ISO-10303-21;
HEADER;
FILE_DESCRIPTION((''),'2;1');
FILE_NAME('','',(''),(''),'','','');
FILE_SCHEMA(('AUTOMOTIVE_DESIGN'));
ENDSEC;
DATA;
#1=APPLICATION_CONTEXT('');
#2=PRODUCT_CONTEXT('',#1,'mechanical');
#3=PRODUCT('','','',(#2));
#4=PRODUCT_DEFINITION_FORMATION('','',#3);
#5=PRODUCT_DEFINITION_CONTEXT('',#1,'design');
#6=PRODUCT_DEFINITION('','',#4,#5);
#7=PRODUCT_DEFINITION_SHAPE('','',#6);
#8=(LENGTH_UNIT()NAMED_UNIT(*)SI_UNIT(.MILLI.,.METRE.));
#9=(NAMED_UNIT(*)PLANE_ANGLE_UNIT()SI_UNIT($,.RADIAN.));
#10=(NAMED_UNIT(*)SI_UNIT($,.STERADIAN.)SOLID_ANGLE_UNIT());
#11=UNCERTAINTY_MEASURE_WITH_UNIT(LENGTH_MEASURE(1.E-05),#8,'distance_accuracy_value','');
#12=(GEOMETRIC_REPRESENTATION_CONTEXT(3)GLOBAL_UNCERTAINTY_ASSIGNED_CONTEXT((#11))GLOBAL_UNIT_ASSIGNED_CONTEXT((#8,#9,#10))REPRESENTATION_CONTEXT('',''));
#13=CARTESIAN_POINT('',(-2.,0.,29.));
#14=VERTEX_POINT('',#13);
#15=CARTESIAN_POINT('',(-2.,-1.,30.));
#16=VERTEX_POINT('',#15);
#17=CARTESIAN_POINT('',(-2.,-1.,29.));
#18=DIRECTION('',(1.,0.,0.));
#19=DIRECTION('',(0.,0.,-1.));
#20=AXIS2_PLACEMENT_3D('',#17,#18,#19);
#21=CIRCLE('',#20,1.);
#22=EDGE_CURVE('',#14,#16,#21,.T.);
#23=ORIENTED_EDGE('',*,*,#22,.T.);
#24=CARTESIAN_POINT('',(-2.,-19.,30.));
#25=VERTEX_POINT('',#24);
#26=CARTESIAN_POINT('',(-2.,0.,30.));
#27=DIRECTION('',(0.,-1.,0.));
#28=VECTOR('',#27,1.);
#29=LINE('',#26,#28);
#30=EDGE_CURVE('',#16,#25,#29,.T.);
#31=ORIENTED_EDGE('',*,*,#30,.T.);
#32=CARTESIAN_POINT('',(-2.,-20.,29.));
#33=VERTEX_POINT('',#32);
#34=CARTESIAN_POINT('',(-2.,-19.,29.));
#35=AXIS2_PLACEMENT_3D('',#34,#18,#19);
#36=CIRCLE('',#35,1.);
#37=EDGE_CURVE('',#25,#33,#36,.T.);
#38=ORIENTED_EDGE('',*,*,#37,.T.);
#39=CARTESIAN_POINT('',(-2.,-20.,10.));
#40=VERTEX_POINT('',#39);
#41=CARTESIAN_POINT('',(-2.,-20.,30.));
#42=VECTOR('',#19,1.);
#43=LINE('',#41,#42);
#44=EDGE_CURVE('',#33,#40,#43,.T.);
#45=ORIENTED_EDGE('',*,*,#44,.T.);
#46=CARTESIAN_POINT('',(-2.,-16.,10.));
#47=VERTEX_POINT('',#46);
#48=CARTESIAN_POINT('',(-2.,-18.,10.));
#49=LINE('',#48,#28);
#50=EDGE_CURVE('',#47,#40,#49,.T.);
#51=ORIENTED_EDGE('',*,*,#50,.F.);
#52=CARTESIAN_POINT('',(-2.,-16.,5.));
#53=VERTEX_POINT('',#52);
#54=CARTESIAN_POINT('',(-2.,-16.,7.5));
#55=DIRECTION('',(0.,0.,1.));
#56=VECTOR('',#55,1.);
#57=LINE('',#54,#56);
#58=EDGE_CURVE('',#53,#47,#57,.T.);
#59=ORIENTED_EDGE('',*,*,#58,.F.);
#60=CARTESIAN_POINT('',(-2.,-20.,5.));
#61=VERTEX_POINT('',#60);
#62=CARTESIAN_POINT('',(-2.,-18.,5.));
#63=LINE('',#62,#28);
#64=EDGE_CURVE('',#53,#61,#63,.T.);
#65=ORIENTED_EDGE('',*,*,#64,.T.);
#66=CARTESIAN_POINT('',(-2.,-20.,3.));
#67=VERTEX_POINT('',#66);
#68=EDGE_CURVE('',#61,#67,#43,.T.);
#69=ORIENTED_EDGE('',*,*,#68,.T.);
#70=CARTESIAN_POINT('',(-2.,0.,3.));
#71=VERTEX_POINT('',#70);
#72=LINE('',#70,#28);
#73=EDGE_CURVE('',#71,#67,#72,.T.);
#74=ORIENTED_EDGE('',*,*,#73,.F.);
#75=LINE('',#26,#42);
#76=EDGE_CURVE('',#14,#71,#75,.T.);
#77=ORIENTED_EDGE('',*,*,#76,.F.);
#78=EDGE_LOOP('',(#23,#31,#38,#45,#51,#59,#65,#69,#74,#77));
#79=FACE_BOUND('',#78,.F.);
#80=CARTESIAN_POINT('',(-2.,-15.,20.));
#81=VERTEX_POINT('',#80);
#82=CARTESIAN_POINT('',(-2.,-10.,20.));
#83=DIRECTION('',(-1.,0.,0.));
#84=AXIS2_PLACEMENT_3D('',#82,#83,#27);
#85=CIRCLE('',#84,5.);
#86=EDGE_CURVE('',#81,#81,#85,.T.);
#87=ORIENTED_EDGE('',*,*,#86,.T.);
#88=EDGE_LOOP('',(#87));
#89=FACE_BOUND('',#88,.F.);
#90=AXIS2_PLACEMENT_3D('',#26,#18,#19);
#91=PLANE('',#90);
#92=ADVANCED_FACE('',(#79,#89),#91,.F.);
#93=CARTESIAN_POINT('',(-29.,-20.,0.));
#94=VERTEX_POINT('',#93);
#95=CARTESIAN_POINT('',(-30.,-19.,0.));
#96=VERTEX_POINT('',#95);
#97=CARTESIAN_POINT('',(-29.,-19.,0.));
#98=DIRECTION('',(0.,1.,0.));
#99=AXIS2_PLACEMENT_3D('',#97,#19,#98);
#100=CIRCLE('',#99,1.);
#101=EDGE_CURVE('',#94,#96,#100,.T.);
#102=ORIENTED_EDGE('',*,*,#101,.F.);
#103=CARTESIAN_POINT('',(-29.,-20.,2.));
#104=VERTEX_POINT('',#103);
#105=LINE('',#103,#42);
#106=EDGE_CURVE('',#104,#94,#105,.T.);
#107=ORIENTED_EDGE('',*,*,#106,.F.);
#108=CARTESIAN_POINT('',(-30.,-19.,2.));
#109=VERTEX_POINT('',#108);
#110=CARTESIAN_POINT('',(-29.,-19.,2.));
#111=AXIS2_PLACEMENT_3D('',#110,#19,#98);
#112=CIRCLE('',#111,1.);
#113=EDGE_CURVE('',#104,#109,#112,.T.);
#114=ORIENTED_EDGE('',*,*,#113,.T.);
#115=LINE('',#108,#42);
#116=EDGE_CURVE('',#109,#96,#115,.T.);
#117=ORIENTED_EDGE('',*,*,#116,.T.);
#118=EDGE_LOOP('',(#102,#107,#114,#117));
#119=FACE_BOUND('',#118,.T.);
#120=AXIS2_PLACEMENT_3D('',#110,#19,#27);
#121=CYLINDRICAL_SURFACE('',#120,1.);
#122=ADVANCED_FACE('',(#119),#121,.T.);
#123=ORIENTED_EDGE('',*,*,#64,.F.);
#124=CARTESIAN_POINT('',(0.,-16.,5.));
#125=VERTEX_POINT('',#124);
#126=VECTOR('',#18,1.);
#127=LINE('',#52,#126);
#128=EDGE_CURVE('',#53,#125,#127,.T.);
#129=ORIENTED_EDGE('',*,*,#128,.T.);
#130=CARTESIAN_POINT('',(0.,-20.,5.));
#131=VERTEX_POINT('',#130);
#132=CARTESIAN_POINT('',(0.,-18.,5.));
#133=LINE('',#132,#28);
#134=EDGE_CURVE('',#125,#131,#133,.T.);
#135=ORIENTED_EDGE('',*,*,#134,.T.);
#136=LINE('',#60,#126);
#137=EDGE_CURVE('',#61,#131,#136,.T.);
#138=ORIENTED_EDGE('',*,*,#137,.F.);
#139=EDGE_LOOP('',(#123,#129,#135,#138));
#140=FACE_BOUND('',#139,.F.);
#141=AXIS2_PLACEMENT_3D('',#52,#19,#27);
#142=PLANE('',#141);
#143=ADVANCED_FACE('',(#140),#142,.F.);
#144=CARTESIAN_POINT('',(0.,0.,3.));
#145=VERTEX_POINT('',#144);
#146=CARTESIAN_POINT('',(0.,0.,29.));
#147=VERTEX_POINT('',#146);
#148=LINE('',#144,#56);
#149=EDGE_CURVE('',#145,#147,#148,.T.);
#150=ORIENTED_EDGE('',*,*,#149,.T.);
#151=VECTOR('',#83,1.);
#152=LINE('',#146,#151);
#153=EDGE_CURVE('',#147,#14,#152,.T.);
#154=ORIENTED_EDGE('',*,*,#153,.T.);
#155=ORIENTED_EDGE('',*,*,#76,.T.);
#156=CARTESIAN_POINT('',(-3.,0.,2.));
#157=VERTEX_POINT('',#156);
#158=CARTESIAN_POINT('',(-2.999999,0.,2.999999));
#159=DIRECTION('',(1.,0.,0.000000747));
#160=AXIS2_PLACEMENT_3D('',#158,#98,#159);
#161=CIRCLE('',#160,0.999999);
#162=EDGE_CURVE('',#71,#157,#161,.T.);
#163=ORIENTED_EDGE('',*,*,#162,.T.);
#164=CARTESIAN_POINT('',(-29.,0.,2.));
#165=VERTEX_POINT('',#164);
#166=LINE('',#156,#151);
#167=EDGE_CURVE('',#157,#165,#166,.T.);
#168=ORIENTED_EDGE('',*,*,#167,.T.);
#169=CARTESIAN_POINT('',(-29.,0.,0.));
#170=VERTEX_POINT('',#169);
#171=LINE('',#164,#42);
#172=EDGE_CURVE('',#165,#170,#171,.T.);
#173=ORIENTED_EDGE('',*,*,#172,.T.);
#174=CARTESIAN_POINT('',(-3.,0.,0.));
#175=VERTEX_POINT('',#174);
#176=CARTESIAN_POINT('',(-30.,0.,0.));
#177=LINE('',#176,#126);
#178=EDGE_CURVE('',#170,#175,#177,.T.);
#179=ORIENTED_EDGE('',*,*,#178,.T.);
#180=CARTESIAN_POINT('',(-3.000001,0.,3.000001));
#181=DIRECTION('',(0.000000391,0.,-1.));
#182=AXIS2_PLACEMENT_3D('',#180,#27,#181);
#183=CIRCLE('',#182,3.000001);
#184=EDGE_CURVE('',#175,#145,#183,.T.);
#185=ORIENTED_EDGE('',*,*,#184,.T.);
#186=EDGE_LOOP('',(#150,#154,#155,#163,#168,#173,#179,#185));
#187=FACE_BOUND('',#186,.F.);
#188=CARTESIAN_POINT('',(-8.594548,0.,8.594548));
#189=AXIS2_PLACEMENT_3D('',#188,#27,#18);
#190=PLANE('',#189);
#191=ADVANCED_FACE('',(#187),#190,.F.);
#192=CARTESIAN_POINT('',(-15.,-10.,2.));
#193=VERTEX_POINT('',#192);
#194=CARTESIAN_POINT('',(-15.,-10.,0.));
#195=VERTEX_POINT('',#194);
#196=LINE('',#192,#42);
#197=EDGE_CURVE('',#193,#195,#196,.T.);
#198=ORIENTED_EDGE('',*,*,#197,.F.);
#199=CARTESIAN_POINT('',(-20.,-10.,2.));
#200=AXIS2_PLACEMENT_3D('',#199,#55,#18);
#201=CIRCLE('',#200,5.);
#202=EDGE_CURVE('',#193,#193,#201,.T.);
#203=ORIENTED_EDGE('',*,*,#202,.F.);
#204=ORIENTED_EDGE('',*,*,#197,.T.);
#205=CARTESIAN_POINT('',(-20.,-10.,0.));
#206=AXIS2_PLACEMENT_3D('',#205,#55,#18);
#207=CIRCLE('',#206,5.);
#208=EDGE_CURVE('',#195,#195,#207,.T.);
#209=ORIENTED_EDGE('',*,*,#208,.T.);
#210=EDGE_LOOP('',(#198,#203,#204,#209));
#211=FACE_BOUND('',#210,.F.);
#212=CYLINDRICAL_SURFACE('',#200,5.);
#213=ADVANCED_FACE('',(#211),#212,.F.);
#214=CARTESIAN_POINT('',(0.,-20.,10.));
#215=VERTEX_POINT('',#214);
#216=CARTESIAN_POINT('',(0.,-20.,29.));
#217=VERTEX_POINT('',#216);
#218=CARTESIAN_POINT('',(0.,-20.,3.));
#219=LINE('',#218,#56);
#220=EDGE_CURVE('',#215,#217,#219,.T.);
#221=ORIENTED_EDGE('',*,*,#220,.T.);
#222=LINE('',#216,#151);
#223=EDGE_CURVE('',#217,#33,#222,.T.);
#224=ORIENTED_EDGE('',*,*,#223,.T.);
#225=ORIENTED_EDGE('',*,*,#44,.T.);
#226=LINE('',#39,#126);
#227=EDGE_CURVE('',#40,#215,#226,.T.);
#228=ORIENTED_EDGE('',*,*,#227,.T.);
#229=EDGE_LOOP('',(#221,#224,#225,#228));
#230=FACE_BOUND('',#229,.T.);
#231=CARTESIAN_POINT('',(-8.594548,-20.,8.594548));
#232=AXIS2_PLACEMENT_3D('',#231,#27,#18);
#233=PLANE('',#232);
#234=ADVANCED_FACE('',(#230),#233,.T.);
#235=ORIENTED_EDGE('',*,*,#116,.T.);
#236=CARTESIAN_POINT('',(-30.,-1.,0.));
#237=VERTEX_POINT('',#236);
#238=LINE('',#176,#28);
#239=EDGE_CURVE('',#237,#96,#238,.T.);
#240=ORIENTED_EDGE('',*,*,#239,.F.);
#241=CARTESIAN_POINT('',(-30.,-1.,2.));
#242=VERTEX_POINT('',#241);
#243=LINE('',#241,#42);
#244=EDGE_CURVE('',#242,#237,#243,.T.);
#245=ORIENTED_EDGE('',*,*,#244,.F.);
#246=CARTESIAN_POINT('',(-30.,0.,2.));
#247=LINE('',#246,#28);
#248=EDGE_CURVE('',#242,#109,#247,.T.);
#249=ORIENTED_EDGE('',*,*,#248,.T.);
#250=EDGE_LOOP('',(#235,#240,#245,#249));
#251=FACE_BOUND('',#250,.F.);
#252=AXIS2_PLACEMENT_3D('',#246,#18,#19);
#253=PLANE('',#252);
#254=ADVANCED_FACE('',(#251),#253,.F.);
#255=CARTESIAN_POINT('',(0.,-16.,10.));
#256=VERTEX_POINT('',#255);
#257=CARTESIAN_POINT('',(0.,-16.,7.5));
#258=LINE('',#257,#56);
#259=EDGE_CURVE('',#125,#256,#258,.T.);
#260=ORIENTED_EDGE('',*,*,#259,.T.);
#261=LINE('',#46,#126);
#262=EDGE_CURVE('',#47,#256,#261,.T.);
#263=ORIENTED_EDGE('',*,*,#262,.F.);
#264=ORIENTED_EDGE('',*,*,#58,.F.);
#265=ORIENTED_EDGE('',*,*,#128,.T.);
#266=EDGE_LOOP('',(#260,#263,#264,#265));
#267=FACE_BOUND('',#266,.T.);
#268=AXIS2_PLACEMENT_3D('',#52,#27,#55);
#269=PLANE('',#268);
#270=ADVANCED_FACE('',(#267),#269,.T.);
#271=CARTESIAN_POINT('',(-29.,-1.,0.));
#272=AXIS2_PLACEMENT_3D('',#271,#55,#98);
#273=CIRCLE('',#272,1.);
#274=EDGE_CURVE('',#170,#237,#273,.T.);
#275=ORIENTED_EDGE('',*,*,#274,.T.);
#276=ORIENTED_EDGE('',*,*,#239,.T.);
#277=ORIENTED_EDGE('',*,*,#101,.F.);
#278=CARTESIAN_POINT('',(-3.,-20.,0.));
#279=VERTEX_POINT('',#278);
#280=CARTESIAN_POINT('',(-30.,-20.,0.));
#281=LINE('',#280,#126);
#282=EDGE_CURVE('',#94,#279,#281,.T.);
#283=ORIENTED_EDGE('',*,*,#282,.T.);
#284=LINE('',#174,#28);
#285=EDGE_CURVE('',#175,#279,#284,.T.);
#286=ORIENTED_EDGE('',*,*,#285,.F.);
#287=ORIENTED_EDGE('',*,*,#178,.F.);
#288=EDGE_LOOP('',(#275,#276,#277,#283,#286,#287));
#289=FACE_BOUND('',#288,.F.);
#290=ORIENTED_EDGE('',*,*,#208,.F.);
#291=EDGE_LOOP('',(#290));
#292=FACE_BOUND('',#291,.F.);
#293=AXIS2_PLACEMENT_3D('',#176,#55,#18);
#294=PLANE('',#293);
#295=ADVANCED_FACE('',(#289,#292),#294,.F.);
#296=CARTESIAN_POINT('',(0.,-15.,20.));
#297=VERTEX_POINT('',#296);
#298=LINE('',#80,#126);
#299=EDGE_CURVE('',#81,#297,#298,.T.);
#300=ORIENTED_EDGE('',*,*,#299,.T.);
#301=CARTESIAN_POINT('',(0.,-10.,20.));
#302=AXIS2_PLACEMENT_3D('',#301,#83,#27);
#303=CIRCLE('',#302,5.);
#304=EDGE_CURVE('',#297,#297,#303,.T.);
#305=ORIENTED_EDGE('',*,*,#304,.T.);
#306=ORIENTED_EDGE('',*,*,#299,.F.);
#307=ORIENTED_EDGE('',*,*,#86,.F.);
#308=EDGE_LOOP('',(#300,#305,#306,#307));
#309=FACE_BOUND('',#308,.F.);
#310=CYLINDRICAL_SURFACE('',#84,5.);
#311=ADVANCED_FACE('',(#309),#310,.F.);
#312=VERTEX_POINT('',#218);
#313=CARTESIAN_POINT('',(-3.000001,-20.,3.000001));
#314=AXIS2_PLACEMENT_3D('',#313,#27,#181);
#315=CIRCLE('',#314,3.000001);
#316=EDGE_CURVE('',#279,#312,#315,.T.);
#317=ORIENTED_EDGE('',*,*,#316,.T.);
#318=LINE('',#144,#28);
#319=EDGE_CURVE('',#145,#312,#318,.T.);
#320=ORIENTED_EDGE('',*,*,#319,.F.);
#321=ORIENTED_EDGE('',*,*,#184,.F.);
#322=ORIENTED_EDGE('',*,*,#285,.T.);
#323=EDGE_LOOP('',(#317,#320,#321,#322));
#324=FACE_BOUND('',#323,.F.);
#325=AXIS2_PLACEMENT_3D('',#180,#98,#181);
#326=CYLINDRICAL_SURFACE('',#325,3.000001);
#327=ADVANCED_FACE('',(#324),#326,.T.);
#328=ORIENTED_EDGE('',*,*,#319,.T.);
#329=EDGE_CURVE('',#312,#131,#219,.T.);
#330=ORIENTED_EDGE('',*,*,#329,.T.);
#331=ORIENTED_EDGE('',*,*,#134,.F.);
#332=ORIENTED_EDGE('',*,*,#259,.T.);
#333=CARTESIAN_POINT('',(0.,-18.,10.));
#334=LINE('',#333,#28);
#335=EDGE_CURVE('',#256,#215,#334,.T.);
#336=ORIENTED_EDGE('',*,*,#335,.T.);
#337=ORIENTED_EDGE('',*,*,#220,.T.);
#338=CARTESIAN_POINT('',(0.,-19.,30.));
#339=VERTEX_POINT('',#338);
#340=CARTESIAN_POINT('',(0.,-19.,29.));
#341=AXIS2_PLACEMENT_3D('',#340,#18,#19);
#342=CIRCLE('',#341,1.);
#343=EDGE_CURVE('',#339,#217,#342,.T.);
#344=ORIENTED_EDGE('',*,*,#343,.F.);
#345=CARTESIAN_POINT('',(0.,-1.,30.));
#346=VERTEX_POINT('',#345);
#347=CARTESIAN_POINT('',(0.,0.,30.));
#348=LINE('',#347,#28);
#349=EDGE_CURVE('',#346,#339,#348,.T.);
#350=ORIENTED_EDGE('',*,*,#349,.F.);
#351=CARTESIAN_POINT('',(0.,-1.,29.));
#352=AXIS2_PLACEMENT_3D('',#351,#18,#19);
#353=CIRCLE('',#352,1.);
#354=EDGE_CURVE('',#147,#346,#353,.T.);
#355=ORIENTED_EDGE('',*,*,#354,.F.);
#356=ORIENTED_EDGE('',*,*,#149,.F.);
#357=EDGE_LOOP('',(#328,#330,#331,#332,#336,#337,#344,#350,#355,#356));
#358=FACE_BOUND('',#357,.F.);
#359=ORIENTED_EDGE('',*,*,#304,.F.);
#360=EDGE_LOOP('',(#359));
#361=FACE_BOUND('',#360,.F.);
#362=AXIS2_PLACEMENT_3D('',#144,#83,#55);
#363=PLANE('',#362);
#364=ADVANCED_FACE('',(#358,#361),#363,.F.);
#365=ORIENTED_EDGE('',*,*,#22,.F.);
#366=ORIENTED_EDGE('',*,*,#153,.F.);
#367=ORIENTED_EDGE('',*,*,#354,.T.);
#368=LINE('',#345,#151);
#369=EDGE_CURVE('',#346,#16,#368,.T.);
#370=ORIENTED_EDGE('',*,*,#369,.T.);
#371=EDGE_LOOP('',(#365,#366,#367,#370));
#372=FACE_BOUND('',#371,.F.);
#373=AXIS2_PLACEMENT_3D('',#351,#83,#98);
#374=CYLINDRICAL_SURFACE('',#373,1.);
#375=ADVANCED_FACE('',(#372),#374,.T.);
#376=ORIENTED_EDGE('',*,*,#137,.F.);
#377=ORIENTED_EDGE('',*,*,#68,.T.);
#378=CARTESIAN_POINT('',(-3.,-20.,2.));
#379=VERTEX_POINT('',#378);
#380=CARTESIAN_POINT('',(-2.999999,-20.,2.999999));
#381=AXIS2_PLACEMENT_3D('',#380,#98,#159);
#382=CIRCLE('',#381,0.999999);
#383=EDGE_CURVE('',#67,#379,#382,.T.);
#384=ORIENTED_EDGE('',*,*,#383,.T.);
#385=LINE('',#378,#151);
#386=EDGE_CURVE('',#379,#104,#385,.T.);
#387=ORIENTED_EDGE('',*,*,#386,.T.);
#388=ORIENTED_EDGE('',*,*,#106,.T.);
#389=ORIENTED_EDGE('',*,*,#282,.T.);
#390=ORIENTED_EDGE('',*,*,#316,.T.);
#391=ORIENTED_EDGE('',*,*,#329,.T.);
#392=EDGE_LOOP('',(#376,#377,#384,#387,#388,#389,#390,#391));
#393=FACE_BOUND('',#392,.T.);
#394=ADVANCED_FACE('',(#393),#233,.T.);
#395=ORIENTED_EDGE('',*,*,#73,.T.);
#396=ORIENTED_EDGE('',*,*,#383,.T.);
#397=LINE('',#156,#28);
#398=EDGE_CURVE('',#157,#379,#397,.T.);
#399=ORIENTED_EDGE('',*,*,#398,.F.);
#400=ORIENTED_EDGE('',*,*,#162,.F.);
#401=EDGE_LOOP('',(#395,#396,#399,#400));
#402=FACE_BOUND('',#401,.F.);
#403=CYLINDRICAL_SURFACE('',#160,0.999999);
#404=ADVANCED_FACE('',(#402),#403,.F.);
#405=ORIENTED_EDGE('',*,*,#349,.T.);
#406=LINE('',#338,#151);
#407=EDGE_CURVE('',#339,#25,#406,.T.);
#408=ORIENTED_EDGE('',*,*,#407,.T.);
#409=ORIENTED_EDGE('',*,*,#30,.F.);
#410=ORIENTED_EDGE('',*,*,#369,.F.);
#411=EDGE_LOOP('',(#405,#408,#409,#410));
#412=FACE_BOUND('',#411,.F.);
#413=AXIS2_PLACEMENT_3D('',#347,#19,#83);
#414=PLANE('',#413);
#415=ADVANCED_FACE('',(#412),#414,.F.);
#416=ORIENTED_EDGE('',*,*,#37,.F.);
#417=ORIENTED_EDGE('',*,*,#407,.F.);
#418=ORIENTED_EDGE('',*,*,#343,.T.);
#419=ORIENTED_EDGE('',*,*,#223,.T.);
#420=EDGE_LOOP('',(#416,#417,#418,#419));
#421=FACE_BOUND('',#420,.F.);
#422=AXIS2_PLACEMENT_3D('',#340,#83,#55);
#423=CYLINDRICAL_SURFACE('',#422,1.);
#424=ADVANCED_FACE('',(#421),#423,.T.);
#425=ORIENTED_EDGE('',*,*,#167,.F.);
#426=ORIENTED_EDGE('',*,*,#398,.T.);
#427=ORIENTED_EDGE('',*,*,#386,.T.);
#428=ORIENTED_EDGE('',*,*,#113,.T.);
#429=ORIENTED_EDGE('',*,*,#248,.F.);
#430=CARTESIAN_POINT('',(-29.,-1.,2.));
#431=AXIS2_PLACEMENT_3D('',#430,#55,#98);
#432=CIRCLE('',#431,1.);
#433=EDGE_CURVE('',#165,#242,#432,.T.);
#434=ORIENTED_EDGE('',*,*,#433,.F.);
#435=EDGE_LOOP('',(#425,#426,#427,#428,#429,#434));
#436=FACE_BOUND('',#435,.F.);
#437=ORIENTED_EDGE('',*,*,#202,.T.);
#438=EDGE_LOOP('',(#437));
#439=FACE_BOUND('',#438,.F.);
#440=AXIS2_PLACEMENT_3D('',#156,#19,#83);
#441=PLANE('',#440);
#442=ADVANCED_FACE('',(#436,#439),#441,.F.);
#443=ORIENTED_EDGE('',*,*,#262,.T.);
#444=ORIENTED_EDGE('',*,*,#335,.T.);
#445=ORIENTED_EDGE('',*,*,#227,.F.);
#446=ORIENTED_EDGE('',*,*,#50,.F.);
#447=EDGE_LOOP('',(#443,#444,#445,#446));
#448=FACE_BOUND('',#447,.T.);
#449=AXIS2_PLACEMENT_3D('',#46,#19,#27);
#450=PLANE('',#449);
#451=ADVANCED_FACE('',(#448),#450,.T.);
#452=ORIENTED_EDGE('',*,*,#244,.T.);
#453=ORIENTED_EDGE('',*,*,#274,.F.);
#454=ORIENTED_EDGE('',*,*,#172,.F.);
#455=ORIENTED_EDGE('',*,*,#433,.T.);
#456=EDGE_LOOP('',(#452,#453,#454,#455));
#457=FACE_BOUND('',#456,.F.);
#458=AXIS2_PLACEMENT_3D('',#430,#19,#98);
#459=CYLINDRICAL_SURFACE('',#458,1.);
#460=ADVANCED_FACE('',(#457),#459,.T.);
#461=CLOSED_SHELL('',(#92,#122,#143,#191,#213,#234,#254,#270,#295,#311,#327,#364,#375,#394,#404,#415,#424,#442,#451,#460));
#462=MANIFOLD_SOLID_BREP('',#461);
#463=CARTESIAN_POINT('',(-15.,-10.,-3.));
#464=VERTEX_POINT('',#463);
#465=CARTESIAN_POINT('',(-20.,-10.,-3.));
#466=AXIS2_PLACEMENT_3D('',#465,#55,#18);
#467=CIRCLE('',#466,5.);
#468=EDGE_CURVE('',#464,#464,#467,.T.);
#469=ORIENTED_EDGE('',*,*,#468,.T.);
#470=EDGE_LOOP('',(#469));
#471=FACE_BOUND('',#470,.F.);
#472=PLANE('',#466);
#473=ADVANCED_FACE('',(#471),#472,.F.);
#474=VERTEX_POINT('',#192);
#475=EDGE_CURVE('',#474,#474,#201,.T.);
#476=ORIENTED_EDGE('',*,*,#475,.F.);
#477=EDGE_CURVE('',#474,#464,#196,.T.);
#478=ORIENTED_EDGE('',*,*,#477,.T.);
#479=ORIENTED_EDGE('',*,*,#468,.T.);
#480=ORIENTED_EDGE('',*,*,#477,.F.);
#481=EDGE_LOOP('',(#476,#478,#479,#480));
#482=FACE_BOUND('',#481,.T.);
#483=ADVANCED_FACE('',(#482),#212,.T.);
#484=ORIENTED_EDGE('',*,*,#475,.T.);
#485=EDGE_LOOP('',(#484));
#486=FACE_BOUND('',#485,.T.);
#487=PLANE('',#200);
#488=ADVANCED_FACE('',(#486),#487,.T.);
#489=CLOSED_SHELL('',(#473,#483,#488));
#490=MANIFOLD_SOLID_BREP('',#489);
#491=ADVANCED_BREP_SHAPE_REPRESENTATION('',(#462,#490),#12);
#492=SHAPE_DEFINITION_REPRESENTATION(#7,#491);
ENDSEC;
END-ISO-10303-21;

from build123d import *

# Parameters (mm, degrees)
F1_DEPTH  = 20
F2_R      = 5
F3_DEPTH  = 2
F4_R      = 5
F5_DEPTH  = 2
F6_W      = 4
F6_H      = 5
F7_DEPTH  = 2
F8_R      = 1
F9_R      = 5
F10_DEPTH = 5


with BuildPart() as f1:
    # F0 (on Front) → F1 (new body)
    with BuildSketch(Plane.XZ):
        with BuildLine():
            ThreePointArc((-3, 0), (-0.87868, 0.87868), (0, 3))
            Line((0, 3), (0, 30))
            Line((0, 30), (-2, 30))
            Line((-2, 30), (-2, 3))
            ThreePointArc((-2, 3), (-2.292893, 2.292893), (-3, 2))
            Line((-3, 2), (-30, 2))
            Line((-30, 2), (-30, 0))
            Line((-30, 0), (-3, 0))
        make_face()
    extrude(amount=F1_DEPTH)

    # F2 (on face) → F3 (cut, through all)
    with BuildSketch(Plane.XY.offset(2)):
        with Locations((-20, -10)):
            Circle(F2_R)
    extrude(amount=-F3_DEPTH, mode=Mode.SUBTRACT)

    # F4 (on face) → F5 (cut, through all)
    with BuildSketch(Plane(origin=(-2, 0, 0), x_dir=(0, -1, 0), z_dir=(-1, 0, 0))):
        with Locations((10, 20)):
            Circle(F4_R)
    extrude(amount=-F5_DEPTH, mode=Mode.SUBTRACT)

    # F6 (on face) → F7 (cut, through all)
    with BuildSketch(Plane(origin=(-2, 0, 0), x_dir=(0, -1, 0), z_dir=(-1, 0, 0))):
        with Locations((18, 7.5)):
            Rectangle(F6_W, F6_H)
    extrude(amount=-F7_DEPTH, mode=Mode.SUBTRACT)

    # F8
    f8_edges = [f1.edges().sort_by_distance(p)[0] for p in [
        (-1, -20, 30),
        (-1, 0, 30),
        (-30, -20, 1),
        (-30, 0, 1),
    ]]
    fillet(f8_edges, radius=F8_R)


with BuildPart() as f10:
    # F9 (on face) → F10 (new body)
    with BuildSketch(Plane.XY.offset(2)):
        with Locations((-20, -10)):
            Circle(F9_R)
    extrude(amount=-F10_DEPTH)


solid = Compound([f1.part, f10.part])
